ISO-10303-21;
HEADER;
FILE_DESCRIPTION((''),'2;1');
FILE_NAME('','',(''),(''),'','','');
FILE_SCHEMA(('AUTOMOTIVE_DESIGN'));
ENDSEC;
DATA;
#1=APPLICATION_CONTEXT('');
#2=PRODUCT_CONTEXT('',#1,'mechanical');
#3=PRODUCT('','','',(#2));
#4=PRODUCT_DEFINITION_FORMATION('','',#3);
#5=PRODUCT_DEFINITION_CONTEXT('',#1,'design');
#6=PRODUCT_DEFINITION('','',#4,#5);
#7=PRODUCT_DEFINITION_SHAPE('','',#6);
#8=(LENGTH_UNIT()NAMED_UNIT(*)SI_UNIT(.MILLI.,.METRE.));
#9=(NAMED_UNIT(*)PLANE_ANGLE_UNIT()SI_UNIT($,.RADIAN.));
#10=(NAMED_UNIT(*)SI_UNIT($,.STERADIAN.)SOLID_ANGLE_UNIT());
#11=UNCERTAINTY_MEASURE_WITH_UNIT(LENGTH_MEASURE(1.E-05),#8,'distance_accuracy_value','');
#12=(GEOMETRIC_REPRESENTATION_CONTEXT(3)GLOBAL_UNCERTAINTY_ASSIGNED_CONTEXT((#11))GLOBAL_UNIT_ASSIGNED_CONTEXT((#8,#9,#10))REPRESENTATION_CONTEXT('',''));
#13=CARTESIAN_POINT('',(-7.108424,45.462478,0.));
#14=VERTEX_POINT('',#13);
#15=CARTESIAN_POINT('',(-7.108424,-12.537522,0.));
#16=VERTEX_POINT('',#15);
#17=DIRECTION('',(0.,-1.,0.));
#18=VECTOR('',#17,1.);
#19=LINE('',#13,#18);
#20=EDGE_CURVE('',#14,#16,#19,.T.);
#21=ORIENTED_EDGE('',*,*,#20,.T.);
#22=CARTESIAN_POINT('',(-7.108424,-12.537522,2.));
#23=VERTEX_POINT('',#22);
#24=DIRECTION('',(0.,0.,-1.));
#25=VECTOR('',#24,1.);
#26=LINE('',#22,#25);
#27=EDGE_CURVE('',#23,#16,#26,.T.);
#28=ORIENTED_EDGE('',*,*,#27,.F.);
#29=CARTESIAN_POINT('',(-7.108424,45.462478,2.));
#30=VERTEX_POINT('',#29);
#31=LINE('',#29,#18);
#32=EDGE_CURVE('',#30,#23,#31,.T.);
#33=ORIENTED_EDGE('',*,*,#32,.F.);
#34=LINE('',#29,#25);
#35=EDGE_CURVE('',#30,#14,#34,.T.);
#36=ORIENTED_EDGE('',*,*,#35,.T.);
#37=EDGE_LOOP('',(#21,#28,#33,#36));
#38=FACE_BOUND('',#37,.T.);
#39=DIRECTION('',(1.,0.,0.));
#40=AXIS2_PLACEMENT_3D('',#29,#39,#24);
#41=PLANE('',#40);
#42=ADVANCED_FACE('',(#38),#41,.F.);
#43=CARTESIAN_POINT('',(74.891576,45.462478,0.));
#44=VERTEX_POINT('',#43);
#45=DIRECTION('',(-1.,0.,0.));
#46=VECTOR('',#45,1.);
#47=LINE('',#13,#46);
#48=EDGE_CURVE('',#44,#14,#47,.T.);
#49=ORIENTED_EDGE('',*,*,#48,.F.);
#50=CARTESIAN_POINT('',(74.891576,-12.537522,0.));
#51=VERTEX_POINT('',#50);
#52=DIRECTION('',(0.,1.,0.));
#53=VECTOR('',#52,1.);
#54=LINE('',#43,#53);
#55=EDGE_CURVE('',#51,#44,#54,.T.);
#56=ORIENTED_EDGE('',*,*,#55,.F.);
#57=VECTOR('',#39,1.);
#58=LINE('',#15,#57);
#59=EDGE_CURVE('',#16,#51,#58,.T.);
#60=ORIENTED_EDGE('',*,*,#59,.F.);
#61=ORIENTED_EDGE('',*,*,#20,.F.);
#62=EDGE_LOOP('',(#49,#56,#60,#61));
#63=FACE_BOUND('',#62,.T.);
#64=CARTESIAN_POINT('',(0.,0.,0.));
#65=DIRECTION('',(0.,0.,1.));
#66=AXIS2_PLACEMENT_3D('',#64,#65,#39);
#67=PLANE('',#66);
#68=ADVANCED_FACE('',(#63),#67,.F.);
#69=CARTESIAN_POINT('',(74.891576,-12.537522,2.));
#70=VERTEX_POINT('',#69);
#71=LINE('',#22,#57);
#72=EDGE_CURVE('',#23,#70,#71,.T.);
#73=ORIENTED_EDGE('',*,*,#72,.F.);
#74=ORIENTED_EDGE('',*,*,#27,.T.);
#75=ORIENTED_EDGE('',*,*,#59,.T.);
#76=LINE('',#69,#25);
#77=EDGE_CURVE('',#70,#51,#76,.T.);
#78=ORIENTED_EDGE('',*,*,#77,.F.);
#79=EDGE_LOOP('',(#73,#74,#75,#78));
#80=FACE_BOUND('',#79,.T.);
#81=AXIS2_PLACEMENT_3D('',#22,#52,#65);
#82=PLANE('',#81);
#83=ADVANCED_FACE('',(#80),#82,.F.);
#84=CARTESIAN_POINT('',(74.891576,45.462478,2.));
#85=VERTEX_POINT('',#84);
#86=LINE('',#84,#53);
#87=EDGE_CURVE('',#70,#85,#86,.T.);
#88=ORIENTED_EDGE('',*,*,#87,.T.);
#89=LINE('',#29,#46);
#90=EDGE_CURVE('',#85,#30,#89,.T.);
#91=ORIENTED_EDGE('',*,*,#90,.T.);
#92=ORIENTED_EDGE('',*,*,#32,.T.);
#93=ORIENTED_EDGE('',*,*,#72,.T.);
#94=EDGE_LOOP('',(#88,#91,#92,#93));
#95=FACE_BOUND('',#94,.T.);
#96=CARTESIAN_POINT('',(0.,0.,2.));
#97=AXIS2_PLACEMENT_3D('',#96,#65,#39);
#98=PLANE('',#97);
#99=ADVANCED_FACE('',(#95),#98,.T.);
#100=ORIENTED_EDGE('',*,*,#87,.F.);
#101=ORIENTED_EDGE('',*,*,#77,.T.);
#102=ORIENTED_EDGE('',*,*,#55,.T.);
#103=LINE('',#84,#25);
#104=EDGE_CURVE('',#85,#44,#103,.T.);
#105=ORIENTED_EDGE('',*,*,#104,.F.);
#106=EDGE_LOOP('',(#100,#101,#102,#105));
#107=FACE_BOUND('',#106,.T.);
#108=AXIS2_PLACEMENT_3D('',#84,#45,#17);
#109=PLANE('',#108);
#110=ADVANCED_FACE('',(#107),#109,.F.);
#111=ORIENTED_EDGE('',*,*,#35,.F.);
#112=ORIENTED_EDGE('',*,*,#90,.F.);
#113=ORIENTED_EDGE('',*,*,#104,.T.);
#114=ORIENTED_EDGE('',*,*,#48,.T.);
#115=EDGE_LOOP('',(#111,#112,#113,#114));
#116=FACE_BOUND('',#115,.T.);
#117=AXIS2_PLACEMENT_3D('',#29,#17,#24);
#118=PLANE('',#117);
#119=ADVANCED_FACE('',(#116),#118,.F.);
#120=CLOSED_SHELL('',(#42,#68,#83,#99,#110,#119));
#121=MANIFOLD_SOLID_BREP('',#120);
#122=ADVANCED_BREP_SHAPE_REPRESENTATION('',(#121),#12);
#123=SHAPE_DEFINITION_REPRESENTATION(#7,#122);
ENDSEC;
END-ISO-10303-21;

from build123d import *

# Parameters (mm, degrees)
ESBO_O1_W                = 82
ESBO_O1_H                = 58
RESSALTO_EXTRUS_O1_DEPTH = 2


with BuildPart() as part:
    # Esboço1 → Ressalto-extrusão1 (new body)
    with BuildSketch(Plane.XY):
        with Locations((33.891575503, 16.462478336)):
            Rectangle(ESBO_O1_W, ESBO_O1_H)
    extrude(amount=RESSALTO_EXTRUS_O1_DEPTH)


solid = part.part
